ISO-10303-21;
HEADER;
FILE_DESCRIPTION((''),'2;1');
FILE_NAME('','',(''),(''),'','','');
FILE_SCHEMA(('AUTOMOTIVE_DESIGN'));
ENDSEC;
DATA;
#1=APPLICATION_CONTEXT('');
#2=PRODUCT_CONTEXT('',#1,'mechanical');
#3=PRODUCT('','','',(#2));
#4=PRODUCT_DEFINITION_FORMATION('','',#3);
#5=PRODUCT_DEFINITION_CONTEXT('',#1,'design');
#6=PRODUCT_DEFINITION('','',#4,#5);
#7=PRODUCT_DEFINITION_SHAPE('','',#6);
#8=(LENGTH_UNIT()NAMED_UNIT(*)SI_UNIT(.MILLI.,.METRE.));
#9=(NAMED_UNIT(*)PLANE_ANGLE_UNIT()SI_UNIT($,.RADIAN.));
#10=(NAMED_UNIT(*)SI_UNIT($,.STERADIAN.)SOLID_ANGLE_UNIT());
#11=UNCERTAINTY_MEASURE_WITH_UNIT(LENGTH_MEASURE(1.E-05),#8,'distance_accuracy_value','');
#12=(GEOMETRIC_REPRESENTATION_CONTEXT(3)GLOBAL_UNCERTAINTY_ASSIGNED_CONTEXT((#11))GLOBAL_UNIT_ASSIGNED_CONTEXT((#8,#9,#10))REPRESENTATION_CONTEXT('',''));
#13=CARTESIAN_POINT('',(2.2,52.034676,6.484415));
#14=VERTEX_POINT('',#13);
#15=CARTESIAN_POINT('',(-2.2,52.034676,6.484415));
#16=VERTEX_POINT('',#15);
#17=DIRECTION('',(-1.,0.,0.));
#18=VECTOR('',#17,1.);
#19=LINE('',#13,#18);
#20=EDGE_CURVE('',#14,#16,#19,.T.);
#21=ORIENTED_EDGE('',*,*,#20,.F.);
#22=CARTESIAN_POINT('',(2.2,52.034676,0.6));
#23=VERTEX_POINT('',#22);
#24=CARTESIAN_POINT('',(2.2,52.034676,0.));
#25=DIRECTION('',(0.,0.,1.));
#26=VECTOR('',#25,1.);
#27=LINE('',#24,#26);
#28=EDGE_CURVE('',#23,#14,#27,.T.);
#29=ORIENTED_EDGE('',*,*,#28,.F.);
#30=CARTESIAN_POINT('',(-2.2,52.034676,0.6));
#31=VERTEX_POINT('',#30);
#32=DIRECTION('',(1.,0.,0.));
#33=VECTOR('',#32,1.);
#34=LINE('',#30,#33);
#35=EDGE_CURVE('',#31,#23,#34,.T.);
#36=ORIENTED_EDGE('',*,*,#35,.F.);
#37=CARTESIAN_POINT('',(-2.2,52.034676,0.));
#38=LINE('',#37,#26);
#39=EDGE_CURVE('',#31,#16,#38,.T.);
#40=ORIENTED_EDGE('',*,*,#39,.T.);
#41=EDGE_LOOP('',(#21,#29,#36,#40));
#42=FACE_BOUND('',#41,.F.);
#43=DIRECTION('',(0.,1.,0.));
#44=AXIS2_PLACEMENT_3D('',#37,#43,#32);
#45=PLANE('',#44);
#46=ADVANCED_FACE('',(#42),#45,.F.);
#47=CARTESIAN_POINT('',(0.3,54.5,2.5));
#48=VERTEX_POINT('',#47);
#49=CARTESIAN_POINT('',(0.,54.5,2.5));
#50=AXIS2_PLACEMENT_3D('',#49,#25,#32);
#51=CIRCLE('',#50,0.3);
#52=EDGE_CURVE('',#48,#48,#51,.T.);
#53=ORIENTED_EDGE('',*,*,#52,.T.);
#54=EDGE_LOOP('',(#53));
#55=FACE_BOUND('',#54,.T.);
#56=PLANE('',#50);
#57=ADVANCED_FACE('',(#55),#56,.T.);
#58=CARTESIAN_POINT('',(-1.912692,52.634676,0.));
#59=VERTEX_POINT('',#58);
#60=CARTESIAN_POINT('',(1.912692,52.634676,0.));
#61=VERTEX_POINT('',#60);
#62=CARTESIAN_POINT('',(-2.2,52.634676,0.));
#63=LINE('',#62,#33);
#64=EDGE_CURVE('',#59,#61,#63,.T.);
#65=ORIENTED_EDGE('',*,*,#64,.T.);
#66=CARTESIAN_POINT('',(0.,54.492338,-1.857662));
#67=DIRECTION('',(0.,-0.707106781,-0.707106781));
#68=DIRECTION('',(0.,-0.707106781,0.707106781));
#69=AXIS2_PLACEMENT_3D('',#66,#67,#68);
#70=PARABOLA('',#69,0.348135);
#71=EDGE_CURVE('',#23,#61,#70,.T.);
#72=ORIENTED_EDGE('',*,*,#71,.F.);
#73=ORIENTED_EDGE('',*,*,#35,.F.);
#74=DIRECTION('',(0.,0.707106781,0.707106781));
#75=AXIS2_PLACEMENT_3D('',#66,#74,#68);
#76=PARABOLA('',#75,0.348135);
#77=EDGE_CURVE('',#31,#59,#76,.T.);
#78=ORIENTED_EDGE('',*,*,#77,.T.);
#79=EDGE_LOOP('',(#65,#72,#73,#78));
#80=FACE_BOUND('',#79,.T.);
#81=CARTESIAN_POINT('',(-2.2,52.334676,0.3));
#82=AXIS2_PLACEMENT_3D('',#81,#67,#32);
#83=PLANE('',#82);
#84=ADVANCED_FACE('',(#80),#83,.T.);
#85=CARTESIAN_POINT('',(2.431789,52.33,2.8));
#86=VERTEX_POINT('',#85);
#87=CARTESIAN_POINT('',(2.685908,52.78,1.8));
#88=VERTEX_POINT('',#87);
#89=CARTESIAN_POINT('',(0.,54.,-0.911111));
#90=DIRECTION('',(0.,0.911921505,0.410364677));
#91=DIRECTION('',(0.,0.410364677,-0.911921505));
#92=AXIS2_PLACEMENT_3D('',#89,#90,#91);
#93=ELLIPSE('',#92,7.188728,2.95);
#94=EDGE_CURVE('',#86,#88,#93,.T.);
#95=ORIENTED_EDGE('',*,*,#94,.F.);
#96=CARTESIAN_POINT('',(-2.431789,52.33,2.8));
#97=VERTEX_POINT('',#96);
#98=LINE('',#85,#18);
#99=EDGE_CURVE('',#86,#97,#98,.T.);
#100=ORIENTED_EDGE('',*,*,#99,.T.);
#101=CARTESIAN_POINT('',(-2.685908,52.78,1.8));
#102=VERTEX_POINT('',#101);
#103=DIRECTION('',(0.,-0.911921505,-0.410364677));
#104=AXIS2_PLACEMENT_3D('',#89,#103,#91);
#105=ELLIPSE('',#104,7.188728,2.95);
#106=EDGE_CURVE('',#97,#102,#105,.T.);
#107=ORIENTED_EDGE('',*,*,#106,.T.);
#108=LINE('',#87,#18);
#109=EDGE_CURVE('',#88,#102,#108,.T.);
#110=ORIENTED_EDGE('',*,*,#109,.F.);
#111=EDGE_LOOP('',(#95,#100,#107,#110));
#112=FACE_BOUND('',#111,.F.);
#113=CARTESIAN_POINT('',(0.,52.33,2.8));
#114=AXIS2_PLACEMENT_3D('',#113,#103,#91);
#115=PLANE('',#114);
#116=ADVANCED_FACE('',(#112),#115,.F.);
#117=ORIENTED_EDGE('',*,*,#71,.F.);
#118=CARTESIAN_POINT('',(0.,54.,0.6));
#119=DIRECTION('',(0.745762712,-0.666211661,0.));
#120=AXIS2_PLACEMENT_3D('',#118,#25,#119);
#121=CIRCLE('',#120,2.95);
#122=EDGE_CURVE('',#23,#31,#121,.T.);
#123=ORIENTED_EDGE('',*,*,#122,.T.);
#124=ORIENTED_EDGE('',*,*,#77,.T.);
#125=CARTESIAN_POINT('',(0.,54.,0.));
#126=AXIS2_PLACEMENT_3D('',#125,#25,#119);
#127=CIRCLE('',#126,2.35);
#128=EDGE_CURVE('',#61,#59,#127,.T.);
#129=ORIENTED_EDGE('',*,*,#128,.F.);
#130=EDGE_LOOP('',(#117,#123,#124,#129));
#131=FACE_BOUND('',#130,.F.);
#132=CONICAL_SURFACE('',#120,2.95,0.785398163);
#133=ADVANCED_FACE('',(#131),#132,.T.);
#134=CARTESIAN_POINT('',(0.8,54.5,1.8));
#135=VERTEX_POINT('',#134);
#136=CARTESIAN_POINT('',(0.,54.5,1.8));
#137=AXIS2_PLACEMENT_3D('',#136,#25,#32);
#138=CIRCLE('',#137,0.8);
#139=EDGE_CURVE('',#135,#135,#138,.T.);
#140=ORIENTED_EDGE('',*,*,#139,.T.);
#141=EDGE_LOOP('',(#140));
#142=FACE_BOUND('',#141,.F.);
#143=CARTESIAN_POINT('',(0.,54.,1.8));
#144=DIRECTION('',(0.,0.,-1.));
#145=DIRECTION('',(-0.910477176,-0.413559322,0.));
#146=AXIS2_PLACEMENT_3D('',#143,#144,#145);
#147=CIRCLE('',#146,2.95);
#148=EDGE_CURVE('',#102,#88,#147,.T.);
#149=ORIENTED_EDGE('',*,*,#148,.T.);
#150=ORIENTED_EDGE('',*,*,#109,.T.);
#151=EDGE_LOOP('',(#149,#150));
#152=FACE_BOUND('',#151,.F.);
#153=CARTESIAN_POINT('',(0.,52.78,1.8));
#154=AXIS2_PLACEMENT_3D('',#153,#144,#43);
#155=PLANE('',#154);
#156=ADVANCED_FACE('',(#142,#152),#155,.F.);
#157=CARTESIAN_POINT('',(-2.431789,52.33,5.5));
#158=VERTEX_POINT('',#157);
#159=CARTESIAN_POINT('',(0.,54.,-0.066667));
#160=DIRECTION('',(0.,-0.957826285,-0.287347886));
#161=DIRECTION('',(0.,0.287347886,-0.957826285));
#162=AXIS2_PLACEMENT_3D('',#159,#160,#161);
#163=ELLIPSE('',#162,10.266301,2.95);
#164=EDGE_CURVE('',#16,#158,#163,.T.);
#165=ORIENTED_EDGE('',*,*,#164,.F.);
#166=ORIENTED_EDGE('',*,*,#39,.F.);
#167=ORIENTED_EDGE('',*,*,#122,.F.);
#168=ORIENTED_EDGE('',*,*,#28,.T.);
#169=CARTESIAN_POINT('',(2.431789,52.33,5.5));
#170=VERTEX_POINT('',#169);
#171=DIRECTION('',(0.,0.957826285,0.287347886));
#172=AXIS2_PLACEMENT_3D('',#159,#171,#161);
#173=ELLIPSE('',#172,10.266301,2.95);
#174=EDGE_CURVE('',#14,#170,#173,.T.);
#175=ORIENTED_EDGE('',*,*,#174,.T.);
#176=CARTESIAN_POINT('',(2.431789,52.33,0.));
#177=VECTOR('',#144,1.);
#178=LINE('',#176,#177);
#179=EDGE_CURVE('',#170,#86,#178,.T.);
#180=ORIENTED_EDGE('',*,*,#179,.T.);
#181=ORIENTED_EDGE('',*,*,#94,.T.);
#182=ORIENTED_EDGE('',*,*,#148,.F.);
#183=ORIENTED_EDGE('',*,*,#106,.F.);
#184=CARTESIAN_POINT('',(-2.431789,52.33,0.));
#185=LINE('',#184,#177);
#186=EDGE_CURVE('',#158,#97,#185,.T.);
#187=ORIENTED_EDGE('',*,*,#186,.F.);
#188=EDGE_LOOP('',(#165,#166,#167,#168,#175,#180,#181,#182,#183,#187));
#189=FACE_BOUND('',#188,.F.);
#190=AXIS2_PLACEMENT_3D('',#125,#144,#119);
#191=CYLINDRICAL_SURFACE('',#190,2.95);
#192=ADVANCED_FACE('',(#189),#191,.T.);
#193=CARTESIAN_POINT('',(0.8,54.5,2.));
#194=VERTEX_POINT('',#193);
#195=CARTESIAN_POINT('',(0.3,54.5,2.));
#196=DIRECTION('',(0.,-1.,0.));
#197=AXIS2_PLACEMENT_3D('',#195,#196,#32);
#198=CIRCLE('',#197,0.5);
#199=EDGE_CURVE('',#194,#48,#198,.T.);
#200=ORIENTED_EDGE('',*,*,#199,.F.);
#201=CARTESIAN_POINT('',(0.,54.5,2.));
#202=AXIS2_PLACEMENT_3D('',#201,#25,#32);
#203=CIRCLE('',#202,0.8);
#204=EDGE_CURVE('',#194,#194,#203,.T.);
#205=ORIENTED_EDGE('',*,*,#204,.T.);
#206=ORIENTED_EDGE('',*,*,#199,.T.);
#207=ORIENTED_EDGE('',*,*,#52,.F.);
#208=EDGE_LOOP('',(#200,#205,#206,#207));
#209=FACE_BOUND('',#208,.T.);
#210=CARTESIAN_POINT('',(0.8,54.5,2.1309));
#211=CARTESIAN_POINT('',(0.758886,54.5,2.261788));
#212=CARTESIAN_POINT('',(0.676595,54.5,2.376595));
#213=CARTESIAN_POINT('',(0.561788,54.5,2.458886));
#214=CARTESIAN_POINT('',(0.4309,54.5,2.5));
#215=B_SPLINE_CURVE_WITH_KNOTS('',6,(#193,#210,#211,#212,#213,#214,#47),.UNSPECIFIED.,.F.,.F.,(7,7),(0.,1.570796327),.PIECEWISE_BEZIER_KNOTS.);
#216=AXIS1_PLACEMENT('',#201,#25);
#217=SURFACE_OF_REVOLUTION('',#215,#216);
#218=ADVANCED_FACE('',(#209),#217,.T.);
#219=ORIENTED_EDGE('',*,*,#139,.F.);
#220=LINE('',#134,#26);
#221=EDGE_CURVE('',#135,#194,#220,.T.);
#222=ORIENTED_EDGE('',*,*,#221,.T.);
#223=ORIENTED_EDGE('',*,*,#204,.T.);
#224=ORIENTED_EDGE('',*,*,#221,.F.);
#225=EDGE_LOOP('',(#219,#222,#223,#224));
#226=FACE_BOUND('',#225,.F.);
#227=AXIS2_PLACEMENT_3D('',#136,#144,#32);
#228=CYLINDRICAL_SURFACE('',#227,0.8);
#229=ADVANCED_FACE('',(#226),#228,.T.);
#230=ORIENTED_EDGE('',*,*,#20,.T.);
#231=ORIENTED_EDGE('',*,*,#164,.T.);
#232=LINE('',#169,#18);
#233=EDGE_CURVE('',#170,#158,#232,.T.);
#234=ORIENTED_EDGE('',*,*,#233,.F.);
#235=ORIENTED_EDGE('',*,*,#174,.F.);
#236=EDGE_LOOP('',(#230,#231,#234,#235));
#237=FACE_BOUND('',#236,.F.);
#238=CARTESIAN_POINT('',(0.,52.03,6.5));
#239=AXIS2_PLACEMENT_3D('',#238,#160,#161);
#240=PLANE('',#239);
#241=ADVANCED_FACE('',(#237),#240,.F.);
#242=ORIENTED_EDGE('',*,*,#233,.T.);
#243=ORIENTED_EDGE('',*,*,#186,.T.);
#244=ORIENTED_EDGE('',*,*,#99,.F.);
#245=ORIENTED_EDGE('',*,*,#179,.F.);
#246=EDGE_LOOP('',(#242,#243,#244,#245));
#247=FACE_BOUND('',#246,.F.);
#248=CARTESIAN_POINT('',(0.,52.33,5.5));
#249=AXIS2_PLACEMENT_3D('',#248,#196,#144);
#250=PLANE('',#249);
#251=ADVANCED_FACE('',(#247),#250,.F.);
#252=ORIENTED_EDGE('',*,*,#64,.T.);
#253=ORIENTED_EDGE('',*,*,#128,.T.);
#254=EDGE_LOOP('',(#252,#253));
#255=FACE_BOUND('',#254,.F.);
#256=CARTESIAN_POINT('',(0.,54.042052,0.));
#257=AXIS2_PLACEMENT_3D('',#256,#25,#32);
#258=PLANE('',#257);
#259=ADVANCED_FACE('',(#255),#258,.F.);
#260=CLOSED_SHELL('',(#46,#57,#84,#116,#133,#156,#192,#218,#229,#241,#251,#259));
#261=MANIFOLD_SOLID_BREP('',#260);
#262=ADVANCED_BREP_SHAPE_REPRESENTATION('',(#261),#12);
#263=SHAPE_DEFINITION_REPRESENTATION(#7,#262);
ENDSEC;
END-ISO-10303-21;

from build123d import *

# Parameters (mm, degrees)
PAD003_DEPTH         = 6.5
POCKET004_DEPTH      = 2.951
POCKET004_DEPTH_BACK = 2.951
SKETCH013_R          = 0.8
PAD006_DEPTH         = 0.7
FILLET_R             = 0.5
CHAMFER004_SIZE      = 0.6


with BuildPart() as part:
    # Sketch004 → Pad003 (new body)
    with BuildSketch(Plane.XY):
        with BuildLine():
            ThreePointArc((2.2, -1.9653244007), (0, 2.95), (-2.2, -1.9653244007))
            Line((-2.2, -1.9653244007), (2.2, -1.9653244007))
        make_face()
    extrude(amount=PAD003_DEPTH)

    # Sketch014 → Pocket004 (cut, two sides)
    with BuildSketch(Plane.YZ) as pocket004_sk:
        Polygon((-1.97, 6.5), (-1.67, 5.5), (-1.67, 2.8), (-1.22, 1.8), (4, 1.8), (4, 6.5), align=None)
    extrude(amount=-POCKET004_DEPTH, mode=Mode.SUBTRACT)
    extrude(pocket004_sk.sketch, amount=POCKET004_DEPTH_BACK, mode=Mode.SUBTRACT)

    # Sketch013 (on Face7 of Pocket004) → Pad006 (join)
    with BuildSketch(Plane.XY.offset(1.8)):
        with Locations((0, 0.5)):
            Circle(SKETCH013_R)
    extrude(amount=PAD006_DEPTH)

    # Fillet
    fillet_edges = [part.edges().sort_by_distance(p)[0] for p in [
        (-0.8, 0.5, 2.5),
    ]]
    fillet(fillet_edges, radius=FILLET_R)

    # Chamfer004
    chamfer004_edges = [part.edges().sort_by_distance(p)[0] for p in [
        (0, 2.95, 0),
        (0, -1.965324, 0),
    ]]
    chamfer(chamfer004_edges, length=CHAMFER004_SIZE)


with BuildPart() as part_1:
    # Body028 placement: moved
    add(part.part.moved(Location((0, 54, 0))))


solid = part_1.part
